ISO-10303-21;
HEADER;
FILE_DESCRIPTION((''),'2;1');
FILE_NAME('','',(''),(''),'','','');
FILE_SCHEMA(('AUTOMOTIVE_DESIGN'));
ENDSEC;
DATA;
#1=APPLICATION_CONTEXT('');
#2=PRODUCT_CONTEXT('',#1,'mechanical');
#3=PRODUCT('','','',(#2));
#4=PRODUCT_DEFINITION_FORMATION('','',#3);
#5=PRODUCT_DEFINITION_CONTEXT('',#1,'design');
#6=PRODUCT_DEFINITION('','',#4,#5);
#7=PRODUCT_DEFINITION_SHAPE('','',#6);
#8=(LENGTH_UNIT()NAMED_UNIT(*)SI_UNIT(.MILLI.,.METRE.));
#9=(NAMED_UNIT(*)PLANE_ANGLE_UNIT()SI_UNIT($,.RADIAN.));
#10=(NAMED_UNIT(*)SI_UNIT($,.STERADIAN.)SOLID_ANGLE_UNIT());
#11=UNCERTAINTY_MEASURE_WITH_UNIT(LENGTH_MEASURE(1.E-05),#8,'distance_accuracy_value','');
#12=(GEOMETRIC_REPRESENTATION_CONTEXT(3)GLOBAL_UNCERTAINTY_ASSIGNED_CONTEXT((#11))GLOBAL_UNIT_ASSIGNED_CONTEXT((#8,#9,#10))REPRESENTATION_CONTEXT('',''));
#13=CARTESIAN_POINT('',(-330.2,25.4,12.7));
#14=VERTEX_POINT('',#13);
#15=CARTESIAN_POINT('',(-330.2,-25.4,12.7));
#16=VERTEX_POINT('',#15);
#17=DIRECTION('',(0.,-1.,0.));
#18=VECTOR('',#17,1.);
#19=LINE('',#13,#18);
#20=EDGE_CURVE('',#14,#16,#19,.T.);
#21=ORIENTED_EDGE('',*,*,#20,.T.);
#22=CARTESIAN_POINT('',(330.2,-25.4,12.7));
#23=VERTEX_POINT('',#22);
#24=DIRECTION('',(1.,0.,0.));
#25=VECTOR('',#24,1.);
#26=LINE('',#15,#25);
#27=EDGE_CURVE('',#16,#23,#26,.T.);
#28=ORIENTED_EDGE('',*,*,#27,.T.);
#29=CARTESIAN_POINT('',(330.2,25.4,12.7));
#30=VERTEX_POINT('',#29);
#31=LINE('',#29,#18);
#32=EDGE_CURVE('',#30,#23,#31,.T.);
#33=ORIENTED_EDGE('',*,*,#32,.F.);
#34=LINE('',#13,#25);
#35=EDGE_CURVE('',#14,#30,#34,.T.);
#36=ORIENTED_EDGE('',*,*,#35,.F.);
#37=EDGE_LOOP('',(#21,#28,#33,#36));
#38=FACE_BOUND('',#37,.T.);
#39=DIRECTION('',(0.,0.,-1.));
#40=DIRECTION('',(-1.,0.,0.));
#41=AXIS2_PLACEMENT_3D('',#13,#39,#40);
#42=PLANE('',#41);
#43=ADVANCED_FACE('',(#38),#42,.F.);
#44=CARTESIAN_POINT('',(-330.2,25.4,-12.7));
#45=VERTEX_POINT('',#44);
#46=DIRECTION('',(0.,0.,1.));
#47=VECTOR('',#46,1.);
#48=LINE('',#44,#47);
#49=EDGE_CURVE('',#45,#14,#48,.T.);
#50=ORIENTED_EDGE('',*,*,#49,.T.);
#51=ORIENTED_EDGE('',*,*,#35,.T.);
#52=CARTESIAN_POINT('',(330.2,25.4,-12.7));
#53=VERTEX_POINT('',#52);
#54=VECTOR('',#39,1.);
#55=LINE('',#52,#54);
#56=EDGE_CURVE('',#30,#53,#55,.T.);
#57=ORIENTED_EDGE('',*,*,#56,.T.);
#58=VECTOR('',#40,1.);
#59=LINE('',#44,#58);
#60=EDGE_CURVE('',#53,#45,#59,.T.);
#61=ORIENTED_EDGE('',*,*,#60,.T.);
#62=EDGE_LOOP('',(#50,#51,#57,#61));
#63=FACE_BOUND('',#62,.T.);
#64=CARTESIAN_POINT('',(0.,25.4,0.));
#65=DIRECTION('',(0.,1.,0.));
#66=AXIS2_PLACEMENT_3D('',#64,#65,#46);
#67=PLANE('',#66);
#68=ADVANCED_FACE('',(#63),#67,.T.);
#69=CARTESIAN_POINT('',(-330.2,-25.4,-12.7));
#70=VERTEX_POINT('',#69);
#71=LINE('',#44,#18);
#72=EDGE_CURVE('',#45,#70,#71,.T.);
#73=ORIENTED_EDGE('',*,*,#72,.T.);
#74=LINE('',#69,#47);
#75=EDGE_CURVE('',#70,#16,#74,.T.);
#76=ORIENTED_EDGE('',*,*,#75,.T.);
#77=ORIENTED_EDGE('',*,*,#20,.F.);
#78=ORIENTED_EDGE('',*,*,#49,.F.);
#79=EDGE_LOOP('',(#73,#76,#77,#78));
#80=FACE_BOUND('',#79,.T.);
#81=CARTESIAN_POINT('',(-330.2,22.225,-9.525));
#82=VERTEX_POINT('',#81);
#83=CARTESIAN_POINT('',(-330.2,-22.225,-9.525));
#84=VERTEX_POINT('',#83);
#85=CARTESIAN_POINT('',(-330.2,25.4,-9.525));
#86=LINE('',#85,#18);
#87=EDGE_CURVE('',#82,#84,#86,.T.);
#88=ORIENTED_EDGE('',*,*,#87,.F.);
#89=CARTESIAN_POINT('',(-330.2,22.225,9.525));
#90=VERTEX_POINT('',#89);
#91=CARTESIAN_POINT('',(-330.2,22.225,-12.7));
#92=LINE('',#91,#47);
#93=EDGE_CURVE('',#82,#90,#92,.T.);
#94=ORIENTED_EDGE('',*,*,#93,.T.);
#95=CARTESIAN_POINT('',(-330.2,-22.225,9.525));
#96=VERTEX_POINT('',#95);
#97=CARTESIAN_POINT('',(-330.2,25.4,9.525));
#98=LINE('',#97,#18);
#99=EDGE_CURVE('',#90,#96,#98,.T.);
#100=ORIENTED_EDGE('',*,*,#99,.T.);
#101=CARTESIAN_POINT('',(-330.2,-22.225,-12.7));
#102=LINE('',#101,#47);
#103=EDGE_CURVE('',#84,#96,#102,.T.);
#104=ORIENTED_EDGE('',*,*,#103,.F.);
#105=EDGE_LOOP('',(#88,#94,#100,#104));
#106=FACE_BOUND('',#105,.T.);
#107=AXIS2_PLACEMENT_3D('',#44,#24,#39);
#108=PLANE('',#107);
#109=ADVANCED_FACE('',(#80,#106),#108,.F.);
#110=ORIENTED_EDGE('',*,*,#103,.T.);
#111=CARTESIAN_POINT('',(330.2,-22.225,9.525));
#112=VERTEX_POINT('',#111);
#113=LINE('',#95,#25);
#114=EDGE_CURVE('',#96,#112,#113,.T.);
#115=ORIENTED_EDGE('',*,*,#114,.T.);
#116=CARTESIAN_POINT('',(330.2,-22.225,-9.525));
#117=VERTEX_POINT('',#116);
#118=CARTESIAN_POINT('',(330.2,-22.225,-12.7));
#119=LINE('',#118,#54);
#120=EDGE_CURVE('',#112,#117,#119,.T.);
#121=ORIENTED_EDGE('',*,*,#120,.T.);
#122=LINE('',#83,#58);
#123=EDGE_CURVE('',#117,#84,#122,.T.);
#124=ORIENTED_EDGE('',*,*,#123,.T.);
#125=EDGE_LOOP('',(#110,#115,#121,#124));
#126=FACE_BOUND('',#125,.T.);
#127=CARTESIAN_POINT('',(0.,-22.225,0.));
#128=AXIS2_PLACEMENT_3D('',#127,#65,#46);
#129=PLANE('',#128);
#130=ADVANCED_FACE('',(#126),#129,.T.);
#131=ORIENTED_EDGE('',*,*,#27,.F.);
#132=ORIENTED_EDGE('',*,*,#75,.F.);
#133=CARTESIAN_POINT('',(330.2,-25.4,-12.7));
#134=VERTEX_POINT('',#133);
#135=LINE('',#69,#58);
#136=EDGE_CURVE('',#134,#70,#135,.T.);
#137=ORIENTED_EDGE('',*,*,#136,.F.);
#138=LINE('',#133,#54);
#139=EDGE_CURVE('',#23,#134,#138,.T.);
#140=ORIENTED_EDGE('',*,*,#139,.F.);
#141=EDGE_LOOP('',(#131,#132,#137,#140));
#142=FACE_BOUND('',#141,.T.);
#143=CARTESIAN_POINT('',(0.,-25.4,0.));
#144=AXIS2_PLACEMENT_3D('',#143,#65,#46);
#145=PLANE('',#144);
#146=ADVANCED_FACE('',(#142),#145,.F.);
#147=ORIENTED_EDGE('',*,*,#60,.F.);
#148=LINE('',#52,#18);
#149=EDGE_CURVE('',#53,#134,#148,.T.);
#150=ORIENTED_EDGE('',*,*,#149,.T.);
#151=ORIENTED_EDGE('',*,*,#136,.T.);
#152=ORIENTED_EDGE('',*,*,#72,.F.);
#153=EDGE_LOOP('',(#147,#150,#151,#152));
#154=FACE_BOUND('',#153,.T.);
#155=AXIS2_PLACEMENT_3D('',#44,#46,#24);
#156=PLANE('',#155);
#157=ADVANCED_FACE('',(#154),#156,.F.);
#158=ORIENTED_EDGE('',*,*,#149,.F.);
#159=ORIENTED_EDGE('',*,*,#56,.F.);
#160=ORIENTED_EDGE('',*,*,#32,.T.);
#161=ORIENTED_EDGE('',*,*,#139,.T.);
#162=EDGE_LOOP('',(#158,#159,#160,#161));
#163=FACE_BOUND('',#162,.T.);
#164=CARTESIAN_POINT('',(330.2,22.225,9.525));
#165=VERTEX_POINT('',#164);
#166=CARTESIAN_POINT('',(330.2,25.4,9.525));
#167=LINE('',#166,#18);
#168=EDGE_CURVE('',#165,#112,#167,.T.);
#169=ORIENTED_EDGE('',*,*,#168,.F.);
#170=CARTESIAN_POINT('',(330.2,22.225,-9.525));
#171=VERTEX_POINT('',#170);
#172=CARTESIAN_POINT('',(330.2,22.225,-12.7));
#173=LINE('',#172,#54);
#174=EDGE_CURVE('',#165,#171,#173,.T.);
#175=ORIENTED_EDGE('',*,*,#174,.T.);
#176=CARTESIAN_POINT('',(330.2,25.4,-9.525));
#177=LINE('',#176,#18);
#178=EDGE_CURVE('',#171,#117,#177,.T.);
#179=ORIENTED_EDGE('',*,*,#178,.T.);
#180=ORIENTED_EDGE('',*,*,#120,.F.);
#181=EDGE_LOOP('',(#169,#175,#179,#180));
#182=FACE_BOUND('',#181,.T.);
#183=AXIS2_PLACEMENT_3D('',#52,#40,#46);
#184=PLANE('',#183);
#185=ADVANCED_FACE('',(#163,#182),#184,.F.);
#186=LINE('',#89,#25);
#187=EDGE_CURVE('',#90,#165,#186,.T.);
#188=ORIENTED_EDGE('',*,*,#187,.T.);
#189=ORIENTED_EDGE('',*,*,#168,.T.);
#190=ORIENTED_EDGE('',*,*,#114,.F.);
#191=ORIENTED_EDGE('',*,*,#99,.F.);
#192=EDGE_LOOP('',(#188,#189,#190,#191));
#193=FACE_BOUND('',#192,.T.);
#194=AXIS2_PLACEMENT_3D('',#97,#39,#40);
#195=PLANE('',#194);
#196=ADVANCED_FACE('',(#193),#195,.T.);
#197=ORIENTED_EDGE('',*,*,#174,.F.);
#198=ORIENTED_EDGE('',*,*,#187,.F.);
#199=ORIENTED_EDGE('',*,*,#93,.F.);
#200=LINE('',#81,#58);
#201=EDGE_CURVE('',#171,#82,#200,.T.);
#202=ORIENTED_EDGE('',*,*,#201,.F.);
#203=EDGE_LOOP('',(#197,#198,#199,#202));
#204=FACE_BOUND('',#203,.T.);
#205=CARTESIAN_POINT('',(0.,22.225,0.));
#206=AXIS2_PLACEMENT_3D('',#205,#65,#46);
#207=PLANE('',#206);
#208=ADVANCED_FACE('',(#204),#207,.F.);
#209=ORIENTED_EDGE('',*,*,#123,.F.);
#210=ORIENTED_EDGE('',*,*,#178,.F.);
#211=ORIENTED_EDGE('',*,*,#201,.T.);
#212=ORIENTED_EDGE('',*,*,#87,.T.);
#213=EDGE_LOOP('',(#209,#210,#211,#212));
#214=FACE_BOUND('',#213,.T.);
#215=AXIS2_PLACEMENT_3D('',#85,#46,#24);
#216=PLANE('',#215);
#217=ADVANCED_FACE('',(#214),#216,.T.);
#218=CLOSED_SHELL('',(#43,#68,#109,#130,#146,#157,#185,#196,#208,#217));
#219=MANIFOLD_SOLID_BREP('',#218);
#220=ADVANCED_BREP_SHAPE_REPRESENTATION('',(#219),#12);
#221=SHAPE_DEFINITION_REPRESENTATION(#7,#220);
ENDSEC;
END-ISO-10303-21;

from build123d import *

# Parameters (mm, degrees)
SKETCH1_W           = 660.4
SKETCH1_H           = 25.4
BOSS_EXTRUDE1_DEPTH = 25.4
SHELL1_T            = -3.175


with BuildPart() as part:
    # Sketch1 → Boss-Extrude1 (new body, symmetric)
    with BuildSketch(Plane(origin=(0, 0, 0), x_dir=(1, 0, 0), z_dir=(0, 1, 0))):
        Rectangle(SKETCH1_W, SKETCH1_H)
    extrude(amount=BOSS_EXTRUDE1_DEPTH, both=True)

    # Shell1
    shell1_openings = [part.faces().sort_by_distance(p)[0] for p in [
        (-330.2, 0, 0),
        (330.2, 0, 0),
    ]]
    offset(amount=SHELL1_T, openings=shell1_openings, kind=Kind.INTERSECTION)


solid = part.part
